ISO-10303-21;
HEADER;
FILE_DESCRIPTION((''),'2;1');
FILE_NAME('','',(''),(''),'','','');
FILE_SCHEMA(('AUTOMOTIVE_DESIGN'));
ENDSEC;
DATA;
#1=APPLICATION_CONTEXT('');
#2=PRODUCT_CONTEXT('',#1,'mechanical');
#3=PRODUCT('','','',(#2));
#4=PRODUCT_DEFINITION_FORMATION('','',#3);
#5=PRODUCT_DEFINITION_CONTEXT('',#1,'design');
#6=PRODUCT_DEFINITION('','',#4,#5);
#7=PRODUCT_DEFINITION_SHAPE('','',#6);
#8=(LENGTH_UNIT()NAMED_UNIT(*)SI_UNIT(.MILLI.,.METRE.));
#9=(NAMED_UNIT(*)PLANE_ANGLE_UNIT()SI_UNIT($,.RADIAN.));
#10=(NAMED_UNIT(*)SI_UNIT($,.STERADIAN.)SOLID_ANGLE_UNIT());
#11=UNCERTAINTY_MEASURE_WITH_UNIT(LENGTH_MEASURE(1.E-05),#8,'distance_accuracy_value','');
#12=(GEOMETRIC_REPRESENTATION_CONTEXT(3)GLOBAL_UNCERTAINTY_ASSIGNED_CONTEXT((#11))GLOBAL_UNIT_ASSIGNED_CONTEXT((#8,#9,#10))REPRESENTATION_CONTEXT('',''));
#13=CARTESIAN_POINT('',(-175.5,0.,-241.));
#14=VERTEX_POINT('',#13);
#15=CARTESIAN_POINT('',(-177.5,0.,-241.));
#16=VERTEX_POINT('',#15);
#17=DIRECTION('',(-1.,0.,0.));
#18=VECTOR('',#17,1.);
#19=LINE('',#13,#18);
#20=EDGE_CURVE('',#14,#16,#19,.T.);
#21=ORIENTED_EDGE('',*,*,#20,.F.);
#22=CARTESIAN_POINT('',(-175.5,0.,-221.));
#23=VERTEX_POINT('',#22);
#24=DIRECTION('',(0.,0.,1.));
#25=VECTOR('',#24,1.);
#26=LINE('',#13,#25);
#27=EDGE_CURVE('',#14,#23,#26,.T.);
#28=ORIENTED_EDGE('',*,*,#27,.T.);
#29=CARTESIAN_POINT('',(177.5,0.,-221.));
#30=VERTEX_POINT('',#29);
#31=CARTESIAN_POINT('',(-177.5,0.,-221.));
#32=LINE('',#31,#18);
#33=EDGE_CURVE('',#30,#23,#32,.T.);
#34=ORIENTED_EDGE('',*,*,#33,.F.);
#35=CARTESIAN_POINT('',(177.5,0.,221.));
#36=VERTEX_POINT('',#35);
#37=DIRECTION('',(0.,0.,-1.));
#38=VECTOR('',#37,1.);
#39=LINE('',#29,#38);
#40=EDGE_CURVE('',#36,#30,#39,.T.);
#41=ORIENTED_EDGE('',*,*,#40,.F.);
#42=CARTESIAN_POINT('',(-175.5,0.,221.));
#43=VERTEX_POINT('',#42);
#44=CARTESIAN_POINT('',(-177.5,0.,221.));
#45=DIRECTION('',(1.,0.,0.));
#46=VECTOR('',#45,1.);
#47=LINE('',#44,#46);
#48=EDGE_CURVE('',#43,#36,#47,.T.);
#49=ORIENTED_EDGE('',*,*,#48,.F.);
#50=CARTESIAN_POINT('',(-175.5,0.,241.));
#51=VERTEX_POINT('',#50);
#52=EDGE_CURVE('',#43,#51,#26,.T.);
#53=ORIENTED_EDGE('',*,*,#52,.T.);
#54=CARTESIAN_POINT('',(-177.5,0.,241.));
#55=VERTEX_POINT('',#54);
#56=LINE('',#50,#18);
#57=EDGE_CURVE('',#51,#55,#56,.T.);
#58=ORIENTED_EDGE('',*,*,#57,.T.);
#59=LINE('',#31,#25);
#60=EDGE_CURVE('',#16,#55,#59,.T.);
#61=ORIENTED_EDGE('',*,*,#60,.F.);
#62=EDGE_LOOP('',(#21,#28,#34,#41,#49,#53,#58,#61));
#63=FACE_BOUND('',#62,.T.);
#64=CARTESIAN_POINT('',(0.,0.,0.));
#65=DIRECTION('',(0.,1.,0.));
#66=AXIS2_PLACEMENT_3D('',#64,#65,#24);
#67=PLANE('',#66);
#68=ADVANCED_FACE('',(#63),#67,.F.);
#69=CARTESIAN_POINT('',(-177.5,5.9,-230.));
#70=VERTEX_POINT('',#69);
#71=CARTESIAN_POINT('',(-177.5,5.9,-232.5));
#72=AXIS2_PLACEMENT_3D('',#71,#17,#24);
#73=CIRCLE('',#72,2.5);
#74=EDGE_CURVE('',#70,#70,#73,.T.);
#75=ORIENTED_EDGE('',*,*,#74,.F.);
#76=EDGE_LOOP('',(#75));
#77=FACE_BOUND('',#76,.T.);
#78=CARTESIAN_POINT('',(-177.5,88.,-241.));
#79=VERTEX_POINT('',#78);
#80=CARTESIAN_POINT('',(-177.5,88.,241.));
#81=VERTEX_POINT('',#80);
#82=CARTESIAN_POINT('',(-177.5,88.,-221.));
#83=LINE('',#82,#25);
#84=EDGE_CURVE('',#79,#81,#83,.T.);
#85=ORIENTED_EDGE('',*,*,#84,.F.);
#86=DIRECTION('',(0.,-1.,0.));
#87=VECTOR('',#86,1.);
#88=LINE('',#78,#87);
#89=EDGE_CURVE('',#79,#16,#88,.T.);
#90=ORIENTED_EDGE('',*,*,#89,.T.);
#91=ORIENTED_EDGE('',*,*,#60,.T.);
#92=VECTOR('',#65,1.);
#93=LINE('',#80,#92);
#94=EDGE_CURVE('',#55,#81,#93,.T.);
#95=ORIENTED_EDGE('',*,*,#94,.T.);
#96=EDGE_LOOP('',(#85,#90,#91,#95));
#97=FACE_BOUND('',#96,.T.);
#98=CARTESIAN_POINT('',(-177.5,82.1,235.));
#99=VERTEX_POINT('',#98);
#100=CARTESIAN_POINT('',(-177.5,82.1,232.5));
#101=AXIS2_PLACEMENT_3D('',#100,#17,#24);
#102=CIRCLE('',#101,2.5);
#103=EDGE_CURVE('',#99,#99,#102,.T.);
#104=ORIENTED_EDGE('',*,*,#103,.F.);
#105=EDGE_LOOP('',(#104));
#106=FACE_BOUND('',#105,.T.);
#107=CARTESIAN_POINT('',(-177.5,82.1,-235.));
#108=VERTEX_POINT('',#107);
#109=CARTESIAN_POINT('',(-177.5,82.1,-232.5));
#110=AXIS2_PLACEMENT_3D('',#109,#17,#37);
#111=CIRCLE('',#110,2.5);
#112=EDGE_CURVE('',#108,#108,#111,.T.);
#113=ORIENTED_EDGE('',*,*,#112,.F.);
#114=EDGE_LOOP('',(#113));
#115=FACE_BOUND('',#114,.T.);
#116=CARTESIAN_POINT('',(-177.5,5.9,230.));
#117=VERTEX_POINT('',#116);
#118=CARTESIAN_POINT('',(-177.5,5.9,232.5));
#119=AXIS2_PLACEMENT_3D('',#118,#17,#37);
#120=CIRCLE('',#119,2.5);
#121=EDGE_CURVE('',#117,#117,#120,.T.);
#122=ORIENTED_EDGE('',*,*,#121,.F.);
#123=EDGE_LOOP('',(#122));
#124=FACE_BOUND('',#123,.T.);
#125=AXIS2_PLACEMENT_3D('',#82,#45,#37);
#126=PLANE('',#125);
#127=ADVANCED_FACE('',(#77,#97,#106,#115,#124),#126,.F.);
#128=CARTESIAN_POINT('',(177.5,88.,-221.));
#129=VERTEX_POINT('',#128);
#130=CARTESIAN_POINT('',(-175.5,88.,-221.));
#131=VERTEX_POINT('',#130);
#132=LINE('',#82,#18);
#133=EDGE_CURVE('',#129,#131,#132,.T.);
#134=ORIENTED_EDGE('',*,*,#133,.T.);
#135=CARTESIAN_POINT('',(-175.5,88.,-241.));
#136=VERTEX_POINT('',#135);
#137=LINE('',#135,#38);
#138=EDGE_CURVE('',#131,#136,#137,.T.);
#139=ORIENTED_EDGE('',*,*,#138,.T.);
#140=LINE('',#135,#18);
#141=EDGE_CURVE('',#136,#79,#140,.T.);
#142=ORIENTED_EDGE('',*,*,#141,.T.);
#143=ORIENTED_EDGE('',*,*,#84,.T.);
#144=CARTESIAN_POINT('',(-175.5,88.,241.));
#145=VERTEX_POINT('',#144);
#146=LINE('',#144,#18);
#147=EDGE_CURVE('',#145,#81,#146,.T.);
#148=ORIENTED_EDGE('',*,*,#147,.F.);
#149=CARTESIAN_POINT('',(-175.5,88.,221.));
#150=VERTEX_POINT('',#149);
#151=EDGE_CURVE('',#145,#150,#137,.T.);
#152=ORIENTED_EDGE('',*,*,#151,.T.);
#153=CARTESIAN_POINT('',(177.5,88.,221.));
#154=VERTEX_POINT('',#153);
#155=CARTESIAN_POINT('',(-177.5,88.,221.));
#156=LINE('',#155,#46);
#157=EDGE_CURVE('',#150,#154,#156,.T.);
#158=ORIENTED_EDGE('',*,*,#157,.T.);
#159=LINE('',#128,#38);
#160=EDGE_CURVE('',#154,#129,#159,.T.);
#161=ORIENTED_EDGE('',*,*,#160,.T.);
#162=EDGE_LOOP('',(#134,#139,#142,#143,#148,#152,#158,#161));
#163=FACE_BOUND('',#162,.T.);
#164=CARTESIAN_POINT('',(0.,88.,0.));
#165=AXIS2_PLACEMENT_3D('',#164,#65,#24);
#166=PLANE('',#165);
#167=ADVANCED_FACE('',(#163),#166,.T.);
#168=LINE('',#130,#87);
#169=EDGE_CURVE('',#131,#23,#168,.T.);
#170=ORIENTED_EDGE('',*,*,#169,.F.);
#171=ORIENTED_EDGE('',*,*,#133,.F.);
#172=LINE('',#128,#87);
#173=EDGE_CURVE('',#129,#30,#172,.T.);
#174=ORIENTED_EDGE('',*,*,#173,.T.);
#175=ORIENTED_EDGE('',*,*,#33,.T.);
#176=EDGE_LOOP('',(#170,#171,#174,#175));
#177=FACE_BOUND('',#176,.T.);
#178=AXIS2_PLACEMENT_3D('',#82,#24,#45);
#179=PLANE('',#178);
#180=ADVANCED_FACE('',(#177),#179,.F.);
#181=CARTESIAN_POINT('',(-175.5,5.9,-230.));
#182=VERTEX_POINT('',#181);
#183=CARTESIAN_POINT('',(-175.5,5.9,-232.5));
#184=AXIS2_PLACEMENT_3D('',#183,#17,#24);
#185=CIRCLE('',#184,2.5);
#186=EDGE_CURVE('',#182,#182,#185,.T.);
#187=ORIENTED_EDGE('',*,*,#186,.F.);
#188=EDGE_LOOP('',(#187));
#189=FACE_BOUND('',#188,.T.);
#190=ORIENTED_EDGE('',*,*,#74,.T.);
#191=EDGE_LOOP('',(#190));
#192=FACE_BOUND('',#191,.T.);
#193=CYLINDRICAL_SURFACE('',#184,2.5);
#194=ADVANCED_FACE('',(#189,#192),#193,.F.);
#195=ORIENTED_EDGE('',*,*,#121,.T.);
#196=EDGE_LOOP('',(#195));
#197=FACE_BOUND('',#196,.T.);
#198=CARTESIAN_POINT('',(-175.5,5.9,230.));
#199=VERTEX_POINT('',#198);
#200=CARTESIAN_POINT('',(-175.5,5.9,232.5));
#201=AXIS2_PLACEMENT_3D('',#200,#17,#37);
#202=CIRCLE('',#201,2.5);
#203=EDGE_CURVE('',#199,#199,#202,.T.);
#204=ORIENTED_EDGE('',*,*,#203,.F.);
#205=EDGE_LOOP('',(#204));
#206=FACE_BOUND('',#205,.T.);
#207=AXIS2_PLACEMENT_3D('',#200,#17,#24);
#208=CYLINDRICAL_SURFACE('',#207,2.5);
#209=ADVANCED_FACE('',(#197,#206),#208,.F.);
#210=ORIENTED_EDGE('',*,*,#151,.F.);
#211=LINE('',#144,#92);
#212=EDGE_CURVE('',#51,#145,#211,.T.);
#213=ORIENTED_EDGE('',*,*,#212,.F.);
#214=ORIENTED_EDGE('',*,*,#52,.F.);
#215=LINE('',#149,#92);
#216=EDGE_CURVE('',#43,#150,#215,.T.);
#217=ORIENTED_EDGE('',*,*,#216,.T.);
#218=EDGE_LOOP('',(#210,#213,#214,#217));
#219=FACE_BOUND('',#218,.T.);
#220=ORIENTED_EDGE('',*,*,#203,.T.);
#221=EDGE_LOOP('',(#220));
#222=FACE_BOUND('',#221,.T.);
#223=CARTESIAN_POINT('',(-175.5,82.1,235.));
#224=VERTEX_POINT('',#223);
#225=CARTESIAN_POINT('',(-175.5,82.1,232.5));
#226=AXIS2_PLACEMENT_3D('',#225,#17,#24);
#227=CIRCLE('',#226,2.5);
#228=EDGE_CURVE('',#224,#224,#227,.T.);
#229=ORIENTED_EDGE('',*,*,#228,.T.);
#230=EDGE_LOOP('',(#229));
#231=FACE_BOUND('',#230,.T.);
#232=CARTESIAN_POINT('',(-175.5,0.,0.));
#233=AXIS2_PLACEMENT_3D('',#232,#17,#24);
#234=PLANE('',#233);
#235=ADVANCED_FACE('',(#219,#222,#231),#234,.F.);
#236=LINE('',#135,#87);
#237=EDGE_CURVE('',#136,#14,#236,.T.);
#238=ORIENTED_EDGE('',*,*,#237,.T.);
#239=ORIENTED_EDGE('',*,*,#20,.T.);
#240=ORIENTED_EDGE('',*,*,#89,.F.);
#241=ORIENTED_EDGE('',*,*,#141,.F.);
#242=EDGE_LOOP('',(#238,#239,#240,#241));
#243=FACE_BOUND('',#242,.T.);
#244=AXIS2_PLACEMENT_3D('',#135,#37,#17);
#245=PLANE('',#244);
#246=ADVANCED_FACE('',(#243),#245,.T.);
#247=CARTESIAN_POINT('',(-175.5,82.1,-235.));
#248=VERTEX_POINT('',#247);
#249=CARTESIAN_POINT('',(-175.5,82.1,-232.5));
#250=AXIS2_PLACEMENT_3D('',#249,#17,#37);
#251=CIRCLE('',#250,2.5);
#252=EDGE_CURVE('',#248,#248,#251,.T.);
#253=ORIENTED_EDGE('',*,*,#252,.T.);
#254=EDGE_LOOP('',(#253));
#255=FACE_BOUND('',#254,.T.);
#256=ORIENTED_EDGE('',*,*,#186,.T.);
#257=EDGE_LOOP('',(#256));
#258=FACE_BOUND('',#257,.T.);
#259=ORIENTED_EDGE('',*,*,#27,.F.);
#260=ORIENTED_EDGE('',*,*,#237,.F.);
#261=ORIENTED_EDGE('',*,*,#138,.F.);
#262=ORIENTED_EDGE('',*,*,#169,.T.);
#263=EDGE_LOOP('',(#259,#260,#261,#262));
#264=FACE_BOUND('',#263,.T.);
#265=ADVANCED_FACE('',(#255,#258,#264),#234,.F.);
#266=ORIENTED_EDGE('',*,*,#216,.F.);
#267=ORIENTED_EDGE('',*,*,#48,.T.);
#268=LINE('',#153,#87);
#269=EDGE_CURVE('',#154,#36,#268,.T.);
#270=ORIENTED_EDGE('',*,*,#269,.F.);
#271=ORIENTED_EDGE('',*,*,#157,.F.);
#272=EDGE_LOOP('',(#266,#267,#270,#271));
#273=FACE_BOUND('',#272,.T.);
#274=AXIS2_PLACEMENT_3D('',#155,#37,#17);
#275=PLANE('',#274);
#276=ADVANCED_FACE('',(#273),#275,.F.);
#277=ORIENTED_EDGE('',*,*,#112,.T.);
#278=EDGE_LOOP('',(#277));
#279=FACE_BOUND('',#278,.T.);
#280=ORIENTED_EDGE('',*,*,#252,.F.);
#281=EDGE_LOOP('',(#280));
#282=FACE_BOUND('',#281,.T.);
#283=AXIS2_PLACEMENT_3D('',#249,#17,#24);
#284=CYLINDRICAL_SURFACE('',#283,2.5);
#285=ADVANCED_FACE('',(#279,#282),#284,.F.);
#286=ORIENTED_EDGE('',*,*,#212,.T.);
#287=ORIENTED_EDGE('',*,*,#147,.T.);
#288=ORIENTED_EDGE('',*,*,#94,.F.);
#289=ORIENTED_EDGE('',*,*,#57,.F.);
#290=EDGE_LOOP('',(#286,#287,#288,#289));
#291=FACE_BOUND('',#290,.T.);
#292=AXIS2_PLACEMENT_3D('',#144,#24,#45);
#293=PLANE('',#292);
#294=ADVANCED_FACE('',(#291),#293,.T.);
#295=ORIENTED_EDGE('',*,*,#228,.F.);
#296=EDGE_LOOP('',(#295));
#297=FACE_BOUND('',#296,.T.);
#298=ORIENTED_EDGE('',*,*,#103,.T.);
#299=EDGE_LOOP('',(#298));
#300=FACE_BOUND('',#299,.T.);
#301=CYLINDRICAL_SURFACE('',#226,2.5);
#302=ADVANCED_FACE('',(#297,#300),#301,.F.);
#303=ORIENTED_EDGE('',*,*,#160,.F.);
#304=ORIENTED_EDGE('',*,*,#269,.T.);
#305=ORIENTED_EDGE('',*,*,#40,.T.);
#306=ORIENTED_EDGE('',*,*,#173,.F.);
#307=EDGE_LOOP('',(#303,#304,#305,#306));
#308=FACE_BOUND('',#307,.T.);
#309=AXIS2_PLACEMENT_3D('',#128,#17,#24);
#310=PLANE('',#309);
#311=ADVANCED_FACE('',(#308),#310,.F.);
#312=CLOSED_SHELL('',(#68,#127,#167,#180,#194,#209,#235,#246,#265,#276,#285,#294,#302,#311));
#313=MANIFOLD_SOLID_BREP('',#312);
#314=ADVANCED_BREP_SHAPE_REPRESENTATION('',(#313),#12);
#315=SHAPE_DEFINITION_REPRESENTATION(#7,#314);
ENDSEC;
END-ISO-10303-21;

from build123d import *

# Parameters (mm, degrees)
CROQUIS1_W              = 355
CROQUIS1_H              = 442
SALIENTE_EXTRUIR1_DEPTH = 88
CROQUIS2_W              = 482
CROQUIS2_H              = 88
CROQUIS2_R              = 2.5
SALIENTE_EXTRUIR2_DEPTH = 2


with BuildPart() as part:
    # Croquis1 → Saliente-Extruir1 (new body)
    with BuildSketch(Plane(origin=(0, 0, 0), x_dir=(1, 0, 0), z_dir=(0, 1, 0))):
        Rectangle(CROQUIS1_W, CROQUIS1_H)
    extrude(amount=SALIENTE_EXTRUIR1_DEPTH)

    # Croquis2 → Saliente-Extruir2 (add)
    with BuildSketch(Plane.ZY.offset(177.5)):
        with Locations((0, 44)):
            Rectangle(CROQUIS2_W, CROQUIS2_H)
        with Locations((232.5, 82.1)):
            Circle(CROQUIS2_R, mode=Mode.SUBTRACT)
        with Locations((232.5, 5.9)):
            Circle(CROQUIS2_R, mode=Mode.SUBTRACT)
        with Locations((-232.5, 5.9)):
            Circle(CROQUIS2_R, mode=Mode.SUBTRACT)
        with Locations((-232.5, 82.1)):
            Circle(CROQUIS2_R, mode=Mode.SUBTRACT)
    extrude(amount=-SALIENTE_EXTRUIR2_DEPTH)


solid = part.part
